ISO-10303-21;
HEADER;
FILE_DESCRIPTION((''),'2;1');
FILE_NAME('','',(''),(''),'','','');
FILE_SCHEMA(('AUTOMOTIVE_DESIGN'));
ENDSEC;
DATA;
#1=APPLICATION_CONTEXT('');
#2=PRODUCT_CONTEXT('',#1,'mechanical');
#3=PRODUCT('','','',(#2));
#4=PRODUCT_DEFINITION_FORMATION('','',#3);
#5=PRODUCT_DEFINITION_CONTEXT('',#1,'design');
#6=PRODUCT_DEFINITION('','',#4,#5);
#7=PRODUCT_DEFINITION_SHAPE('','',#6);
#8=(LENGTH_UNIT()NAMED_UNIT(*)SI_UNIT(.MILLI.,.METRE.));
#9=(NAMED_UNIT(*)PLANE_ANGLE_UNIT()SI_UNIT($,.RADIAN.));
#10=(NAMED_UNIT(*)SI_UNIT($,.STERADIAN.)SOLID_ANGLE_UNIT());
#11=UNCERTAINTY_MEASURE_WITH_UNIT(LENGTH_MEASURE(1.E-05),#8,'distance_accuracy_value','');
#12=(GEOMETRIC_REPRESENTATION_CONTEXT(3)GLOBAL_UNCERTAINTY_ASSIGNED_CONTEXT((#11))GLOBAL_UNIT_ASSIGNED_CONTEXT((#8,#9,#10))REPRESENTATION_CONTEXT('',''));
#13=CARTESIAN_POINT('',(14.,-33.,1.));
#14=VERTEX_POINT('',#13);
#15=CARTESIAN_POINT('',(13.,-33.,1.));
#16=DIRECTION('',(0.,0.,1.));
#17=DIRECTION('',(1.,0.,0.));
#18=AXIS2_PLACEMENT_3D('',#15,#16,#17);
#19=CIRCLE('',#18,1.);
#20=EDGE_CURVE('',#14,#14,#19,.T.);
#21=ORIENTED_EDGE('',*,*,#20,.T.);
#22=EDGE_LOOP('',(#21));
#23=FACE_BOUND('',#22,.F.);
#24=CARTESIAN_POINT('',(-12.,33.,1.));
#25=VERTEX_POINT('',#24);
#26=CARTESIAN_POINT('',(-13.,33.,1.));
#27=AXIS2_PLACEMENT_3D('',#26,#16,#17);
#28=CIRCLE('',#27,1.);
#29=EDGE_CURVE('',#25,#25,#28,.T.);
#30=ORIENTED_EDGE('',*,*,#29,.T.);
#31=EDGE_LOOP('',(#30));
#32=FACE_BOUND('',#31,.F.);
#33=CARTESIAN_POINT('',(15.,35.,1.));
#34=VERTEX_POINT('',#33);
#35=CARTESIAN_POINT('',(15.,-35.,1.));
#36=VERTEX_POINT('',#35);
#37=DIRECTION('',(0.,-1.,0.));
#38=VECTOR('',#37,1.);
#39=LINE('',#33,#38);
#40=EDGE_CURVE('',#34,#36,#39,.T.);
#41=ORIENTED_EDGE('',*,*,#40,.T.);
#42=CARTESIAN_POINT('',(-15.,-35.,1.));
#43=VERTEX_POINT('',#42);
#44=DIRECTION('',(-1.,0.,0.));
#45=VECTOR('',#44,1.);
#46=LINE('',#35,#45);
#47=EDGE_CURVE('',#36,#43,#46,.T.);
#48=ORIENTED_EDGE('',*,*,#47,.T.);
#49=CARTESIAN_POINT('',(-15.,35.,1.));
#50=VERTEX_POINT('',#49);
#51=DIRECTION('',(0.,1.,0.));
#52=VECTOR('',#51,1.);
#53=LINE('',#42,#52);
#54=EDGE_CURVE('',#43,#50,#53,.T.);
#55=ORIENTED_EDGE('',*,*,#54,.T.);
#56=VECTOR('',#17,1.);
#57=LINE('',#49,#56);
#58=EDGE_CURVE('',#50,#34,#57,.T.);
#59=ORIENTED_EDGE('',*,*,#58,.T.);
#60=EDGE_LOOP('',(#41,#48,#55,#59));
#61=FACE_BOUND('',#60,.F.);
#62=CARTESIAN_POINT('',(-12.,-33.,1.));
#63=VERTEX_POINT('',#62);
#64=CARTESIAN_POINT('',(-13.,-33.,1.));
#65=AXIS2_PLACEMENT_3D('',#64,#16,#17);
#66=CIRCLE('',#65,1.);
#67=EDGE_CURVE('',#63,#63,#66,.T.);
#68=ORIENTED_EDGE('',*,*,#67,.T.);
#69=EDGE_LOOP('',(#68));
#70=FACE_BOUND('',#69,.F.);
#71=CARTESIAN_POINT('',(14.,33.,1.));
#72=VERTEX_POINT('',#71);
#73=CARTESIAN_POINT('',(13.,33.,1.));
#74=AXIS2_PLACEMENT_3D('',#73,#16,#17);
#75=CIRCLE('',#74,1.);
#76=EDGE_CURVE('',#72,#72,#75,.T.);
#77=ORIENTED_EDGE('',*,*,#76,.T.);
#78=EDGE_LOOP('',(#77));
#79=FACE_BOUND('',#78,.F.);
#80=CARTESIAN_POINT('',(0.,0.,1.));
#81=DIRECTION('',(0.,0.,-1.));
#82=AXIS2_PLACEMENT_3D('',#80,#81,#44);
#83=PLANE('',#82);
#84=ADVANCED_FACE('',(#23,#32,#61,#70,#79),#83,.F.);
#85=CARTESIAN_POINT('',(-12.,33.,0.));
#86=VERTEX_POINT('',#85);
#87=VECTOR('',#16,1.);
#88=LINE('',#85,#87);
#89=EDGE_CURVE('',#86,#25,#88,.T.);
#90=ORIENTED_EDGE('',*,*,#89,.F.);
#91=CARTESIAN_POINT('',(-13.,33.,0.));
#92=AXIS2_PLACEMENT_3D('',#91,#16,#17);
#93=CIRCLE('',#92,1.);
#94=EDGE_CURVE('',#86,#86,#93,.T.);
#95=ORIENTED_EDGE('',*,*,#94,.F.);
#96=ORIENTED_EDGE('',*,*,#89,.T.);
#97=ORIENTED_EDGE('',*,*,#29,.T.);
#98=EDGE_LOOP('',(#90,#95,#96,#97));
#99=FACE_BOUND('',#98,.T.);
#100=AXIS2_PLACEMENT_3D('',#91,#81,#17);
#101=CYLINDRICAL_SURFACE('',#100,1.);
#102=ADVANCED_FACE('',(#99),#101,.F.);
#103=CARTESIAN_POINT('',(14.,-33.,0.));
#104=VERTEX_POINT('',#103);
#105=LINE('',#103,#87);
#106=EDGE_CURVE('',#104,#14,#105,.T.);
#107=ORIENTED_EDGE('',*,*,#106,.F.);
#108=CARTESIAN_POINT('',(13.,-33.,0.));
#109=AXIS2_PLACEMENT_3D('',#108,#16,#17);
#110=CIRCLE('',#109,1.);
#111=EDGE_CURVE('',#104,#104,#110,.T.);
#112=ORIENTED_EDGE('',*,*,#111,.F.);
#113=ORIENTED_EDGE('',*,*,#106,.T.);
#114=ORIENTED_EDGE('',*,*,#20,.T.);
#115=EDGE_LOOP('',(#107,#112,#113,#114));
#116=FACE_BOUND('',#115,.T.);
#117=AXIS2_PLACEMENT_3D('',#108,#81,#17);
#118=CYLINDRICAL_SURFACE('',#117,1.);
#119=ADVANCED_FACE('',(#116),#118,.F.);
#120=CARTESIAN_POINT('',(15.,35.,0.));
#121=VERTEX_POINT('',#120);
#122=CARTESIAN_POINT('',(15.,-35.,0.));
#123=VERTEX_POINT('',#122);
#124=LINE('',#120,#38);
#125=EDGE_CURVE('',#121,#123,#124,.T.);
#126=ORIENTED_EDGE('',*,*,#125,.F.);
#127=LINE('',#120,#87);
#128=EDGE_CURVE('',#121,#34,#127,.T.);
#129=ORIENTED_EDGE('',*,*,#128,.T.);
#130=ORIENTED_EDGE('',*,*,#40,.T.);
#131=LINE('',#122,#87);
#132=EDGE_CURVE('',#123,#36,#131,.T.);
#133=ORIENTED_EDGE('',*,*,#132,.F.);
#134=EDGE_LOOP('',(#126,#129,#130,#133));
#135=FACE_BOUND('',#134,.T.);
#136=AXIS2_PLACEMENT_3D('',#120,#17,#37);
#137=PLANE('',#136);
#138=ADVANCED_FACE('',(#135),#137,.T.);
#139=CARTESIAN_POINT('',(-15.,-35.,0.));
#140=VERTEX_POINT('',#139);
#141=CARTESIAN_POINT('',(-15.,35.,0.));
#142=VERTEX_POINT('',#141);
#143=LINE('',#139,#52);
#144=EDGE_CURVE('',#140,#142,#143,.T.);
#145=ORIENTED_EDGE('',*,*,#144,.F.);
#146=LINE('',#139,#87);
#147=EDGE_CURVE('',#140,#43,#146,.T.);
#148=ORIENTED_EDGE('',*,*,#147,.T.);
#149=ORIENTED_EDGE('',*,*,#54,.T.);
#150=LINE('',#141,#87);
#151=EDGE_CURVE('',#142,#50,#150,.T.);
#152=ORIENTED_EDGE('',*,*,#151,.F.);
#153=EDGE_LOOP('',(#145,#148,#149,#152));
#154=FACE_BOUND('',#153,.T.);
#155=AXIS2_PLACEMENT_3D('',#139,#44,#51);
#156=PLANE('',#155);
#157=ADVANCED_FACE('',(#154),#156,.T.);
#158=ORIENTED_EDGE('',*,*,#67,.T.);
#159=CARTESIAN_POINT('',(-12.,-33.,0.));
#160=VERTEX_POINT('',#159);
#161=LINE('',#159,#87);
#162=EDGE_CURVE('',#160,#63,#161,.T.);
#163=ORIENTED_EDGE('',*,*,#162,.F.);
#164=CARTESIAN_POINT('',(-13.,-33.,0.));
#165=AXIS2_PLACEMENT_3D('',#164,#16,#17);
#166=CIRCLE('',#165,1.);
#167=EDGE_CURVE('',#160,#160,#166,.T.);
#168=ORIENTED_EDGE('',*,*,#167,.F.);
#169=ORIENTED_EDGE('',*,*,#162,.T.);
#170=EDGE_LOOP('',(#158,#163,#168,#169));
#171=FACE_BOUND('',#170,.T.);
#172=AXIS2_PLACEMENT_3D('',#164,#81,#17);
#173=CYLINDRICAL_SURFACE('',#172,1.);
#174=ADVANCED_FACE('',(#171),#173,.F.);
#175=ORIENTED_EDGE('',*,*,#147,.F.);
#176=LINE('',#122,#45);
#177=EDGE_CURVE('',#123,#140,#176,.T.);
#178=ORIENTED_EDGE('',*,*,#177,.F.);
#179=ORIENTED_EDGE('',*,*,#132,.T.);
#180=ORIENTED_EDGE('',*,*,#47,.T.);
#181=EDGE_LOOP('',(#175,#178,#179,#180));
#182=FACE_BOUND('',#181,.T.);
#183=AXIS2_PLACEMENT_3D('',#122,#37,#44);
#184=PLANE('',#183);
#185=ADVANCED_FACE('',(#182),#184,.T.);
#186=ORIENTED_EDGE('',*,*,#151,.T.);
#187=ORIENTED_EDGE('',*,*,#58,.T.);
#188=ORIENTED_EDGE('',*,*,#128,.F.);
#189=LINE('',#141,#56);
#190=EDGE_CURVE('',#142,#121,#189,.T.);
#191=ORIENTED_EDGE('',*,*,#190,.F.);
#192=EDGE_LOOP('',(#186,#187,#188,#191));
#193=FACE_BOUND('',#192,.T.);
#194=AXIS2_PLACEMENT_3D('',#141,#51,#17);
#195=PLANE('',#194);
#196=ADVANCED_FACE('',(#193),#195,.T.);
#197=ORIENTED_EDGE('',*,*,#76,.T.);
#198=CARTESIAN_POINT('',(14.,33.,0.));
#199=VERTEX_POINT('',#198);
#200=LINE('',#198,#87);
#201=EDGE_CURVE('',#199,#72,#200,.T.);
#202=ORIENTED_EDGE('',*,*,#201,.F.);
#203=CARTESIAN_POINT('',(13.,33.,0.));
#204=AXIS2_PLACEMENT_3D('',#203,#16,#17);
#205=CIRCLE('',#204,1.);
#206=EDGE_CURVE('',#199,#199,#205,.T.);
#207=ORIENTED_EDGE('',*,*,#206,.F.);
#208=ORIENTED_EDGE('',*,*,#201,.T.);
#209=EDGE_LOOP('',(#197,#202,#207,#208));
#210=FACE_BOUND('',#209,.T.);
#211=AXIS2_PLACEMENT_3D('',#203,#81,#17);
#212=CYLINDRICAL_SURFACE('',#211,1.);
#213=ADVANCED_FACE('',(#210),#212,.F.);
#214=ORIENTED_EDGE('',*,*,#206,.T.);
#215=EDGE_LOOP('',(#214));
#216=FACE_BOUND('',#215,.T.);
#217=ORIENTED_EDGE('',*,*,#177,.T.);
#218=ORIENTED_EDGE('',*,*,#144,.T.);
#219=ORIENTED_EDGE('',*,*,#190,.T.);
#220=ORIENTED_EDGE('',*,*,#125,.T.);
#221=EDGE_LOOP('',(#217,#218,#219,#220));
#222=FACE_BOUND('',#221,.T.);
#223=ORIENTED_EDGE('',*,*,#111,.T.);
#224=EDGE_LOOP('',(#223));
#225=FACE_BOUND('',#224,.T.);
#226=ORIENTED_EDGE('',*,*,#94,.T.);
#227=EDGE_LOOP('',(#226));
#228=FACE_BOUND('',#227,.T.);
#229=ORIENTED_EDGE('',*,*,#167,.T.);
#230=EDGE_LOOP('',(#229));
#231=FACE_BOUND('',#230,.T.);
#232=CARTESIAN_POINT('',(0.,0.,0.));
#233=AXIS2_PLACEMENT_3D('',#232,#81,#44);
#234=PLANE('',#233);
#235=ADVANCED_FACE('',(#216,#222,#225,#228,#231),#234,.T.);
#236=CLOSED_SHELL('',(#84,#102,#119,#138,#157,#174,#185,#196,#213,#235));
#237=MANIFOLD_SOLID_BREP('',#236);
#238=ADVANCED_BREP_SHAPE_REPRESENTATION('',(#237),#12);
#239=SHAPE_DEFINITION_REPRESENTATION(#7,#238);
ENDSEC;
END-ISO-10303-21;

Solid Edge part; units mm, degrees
sketch "Sketch1" plane through (0, 0, 0) normal (0, 0, 1) x (1, 0, 0)
  line L0 (15, 35) -> (15, -35)
  line L1 (15, -35) -> (-15, -35)
  line L2 (-15, -35) -> (-15, 35)
  line L3 (-15, 35) -> (15, 35)
  circle A0 centre (13, -33) radius 1
  circle A1 centre (-13, -33) radius 1
  circle A2 centre (-13, 33) radius 1
  circle A3 centre (13, 33) radius 1
  dimension "D1" = 24
  dimension "D2" = 70
  dimension "D3" = 1
extrude "Protrusion1" add sketch "Sketch1" along normal blind 1
